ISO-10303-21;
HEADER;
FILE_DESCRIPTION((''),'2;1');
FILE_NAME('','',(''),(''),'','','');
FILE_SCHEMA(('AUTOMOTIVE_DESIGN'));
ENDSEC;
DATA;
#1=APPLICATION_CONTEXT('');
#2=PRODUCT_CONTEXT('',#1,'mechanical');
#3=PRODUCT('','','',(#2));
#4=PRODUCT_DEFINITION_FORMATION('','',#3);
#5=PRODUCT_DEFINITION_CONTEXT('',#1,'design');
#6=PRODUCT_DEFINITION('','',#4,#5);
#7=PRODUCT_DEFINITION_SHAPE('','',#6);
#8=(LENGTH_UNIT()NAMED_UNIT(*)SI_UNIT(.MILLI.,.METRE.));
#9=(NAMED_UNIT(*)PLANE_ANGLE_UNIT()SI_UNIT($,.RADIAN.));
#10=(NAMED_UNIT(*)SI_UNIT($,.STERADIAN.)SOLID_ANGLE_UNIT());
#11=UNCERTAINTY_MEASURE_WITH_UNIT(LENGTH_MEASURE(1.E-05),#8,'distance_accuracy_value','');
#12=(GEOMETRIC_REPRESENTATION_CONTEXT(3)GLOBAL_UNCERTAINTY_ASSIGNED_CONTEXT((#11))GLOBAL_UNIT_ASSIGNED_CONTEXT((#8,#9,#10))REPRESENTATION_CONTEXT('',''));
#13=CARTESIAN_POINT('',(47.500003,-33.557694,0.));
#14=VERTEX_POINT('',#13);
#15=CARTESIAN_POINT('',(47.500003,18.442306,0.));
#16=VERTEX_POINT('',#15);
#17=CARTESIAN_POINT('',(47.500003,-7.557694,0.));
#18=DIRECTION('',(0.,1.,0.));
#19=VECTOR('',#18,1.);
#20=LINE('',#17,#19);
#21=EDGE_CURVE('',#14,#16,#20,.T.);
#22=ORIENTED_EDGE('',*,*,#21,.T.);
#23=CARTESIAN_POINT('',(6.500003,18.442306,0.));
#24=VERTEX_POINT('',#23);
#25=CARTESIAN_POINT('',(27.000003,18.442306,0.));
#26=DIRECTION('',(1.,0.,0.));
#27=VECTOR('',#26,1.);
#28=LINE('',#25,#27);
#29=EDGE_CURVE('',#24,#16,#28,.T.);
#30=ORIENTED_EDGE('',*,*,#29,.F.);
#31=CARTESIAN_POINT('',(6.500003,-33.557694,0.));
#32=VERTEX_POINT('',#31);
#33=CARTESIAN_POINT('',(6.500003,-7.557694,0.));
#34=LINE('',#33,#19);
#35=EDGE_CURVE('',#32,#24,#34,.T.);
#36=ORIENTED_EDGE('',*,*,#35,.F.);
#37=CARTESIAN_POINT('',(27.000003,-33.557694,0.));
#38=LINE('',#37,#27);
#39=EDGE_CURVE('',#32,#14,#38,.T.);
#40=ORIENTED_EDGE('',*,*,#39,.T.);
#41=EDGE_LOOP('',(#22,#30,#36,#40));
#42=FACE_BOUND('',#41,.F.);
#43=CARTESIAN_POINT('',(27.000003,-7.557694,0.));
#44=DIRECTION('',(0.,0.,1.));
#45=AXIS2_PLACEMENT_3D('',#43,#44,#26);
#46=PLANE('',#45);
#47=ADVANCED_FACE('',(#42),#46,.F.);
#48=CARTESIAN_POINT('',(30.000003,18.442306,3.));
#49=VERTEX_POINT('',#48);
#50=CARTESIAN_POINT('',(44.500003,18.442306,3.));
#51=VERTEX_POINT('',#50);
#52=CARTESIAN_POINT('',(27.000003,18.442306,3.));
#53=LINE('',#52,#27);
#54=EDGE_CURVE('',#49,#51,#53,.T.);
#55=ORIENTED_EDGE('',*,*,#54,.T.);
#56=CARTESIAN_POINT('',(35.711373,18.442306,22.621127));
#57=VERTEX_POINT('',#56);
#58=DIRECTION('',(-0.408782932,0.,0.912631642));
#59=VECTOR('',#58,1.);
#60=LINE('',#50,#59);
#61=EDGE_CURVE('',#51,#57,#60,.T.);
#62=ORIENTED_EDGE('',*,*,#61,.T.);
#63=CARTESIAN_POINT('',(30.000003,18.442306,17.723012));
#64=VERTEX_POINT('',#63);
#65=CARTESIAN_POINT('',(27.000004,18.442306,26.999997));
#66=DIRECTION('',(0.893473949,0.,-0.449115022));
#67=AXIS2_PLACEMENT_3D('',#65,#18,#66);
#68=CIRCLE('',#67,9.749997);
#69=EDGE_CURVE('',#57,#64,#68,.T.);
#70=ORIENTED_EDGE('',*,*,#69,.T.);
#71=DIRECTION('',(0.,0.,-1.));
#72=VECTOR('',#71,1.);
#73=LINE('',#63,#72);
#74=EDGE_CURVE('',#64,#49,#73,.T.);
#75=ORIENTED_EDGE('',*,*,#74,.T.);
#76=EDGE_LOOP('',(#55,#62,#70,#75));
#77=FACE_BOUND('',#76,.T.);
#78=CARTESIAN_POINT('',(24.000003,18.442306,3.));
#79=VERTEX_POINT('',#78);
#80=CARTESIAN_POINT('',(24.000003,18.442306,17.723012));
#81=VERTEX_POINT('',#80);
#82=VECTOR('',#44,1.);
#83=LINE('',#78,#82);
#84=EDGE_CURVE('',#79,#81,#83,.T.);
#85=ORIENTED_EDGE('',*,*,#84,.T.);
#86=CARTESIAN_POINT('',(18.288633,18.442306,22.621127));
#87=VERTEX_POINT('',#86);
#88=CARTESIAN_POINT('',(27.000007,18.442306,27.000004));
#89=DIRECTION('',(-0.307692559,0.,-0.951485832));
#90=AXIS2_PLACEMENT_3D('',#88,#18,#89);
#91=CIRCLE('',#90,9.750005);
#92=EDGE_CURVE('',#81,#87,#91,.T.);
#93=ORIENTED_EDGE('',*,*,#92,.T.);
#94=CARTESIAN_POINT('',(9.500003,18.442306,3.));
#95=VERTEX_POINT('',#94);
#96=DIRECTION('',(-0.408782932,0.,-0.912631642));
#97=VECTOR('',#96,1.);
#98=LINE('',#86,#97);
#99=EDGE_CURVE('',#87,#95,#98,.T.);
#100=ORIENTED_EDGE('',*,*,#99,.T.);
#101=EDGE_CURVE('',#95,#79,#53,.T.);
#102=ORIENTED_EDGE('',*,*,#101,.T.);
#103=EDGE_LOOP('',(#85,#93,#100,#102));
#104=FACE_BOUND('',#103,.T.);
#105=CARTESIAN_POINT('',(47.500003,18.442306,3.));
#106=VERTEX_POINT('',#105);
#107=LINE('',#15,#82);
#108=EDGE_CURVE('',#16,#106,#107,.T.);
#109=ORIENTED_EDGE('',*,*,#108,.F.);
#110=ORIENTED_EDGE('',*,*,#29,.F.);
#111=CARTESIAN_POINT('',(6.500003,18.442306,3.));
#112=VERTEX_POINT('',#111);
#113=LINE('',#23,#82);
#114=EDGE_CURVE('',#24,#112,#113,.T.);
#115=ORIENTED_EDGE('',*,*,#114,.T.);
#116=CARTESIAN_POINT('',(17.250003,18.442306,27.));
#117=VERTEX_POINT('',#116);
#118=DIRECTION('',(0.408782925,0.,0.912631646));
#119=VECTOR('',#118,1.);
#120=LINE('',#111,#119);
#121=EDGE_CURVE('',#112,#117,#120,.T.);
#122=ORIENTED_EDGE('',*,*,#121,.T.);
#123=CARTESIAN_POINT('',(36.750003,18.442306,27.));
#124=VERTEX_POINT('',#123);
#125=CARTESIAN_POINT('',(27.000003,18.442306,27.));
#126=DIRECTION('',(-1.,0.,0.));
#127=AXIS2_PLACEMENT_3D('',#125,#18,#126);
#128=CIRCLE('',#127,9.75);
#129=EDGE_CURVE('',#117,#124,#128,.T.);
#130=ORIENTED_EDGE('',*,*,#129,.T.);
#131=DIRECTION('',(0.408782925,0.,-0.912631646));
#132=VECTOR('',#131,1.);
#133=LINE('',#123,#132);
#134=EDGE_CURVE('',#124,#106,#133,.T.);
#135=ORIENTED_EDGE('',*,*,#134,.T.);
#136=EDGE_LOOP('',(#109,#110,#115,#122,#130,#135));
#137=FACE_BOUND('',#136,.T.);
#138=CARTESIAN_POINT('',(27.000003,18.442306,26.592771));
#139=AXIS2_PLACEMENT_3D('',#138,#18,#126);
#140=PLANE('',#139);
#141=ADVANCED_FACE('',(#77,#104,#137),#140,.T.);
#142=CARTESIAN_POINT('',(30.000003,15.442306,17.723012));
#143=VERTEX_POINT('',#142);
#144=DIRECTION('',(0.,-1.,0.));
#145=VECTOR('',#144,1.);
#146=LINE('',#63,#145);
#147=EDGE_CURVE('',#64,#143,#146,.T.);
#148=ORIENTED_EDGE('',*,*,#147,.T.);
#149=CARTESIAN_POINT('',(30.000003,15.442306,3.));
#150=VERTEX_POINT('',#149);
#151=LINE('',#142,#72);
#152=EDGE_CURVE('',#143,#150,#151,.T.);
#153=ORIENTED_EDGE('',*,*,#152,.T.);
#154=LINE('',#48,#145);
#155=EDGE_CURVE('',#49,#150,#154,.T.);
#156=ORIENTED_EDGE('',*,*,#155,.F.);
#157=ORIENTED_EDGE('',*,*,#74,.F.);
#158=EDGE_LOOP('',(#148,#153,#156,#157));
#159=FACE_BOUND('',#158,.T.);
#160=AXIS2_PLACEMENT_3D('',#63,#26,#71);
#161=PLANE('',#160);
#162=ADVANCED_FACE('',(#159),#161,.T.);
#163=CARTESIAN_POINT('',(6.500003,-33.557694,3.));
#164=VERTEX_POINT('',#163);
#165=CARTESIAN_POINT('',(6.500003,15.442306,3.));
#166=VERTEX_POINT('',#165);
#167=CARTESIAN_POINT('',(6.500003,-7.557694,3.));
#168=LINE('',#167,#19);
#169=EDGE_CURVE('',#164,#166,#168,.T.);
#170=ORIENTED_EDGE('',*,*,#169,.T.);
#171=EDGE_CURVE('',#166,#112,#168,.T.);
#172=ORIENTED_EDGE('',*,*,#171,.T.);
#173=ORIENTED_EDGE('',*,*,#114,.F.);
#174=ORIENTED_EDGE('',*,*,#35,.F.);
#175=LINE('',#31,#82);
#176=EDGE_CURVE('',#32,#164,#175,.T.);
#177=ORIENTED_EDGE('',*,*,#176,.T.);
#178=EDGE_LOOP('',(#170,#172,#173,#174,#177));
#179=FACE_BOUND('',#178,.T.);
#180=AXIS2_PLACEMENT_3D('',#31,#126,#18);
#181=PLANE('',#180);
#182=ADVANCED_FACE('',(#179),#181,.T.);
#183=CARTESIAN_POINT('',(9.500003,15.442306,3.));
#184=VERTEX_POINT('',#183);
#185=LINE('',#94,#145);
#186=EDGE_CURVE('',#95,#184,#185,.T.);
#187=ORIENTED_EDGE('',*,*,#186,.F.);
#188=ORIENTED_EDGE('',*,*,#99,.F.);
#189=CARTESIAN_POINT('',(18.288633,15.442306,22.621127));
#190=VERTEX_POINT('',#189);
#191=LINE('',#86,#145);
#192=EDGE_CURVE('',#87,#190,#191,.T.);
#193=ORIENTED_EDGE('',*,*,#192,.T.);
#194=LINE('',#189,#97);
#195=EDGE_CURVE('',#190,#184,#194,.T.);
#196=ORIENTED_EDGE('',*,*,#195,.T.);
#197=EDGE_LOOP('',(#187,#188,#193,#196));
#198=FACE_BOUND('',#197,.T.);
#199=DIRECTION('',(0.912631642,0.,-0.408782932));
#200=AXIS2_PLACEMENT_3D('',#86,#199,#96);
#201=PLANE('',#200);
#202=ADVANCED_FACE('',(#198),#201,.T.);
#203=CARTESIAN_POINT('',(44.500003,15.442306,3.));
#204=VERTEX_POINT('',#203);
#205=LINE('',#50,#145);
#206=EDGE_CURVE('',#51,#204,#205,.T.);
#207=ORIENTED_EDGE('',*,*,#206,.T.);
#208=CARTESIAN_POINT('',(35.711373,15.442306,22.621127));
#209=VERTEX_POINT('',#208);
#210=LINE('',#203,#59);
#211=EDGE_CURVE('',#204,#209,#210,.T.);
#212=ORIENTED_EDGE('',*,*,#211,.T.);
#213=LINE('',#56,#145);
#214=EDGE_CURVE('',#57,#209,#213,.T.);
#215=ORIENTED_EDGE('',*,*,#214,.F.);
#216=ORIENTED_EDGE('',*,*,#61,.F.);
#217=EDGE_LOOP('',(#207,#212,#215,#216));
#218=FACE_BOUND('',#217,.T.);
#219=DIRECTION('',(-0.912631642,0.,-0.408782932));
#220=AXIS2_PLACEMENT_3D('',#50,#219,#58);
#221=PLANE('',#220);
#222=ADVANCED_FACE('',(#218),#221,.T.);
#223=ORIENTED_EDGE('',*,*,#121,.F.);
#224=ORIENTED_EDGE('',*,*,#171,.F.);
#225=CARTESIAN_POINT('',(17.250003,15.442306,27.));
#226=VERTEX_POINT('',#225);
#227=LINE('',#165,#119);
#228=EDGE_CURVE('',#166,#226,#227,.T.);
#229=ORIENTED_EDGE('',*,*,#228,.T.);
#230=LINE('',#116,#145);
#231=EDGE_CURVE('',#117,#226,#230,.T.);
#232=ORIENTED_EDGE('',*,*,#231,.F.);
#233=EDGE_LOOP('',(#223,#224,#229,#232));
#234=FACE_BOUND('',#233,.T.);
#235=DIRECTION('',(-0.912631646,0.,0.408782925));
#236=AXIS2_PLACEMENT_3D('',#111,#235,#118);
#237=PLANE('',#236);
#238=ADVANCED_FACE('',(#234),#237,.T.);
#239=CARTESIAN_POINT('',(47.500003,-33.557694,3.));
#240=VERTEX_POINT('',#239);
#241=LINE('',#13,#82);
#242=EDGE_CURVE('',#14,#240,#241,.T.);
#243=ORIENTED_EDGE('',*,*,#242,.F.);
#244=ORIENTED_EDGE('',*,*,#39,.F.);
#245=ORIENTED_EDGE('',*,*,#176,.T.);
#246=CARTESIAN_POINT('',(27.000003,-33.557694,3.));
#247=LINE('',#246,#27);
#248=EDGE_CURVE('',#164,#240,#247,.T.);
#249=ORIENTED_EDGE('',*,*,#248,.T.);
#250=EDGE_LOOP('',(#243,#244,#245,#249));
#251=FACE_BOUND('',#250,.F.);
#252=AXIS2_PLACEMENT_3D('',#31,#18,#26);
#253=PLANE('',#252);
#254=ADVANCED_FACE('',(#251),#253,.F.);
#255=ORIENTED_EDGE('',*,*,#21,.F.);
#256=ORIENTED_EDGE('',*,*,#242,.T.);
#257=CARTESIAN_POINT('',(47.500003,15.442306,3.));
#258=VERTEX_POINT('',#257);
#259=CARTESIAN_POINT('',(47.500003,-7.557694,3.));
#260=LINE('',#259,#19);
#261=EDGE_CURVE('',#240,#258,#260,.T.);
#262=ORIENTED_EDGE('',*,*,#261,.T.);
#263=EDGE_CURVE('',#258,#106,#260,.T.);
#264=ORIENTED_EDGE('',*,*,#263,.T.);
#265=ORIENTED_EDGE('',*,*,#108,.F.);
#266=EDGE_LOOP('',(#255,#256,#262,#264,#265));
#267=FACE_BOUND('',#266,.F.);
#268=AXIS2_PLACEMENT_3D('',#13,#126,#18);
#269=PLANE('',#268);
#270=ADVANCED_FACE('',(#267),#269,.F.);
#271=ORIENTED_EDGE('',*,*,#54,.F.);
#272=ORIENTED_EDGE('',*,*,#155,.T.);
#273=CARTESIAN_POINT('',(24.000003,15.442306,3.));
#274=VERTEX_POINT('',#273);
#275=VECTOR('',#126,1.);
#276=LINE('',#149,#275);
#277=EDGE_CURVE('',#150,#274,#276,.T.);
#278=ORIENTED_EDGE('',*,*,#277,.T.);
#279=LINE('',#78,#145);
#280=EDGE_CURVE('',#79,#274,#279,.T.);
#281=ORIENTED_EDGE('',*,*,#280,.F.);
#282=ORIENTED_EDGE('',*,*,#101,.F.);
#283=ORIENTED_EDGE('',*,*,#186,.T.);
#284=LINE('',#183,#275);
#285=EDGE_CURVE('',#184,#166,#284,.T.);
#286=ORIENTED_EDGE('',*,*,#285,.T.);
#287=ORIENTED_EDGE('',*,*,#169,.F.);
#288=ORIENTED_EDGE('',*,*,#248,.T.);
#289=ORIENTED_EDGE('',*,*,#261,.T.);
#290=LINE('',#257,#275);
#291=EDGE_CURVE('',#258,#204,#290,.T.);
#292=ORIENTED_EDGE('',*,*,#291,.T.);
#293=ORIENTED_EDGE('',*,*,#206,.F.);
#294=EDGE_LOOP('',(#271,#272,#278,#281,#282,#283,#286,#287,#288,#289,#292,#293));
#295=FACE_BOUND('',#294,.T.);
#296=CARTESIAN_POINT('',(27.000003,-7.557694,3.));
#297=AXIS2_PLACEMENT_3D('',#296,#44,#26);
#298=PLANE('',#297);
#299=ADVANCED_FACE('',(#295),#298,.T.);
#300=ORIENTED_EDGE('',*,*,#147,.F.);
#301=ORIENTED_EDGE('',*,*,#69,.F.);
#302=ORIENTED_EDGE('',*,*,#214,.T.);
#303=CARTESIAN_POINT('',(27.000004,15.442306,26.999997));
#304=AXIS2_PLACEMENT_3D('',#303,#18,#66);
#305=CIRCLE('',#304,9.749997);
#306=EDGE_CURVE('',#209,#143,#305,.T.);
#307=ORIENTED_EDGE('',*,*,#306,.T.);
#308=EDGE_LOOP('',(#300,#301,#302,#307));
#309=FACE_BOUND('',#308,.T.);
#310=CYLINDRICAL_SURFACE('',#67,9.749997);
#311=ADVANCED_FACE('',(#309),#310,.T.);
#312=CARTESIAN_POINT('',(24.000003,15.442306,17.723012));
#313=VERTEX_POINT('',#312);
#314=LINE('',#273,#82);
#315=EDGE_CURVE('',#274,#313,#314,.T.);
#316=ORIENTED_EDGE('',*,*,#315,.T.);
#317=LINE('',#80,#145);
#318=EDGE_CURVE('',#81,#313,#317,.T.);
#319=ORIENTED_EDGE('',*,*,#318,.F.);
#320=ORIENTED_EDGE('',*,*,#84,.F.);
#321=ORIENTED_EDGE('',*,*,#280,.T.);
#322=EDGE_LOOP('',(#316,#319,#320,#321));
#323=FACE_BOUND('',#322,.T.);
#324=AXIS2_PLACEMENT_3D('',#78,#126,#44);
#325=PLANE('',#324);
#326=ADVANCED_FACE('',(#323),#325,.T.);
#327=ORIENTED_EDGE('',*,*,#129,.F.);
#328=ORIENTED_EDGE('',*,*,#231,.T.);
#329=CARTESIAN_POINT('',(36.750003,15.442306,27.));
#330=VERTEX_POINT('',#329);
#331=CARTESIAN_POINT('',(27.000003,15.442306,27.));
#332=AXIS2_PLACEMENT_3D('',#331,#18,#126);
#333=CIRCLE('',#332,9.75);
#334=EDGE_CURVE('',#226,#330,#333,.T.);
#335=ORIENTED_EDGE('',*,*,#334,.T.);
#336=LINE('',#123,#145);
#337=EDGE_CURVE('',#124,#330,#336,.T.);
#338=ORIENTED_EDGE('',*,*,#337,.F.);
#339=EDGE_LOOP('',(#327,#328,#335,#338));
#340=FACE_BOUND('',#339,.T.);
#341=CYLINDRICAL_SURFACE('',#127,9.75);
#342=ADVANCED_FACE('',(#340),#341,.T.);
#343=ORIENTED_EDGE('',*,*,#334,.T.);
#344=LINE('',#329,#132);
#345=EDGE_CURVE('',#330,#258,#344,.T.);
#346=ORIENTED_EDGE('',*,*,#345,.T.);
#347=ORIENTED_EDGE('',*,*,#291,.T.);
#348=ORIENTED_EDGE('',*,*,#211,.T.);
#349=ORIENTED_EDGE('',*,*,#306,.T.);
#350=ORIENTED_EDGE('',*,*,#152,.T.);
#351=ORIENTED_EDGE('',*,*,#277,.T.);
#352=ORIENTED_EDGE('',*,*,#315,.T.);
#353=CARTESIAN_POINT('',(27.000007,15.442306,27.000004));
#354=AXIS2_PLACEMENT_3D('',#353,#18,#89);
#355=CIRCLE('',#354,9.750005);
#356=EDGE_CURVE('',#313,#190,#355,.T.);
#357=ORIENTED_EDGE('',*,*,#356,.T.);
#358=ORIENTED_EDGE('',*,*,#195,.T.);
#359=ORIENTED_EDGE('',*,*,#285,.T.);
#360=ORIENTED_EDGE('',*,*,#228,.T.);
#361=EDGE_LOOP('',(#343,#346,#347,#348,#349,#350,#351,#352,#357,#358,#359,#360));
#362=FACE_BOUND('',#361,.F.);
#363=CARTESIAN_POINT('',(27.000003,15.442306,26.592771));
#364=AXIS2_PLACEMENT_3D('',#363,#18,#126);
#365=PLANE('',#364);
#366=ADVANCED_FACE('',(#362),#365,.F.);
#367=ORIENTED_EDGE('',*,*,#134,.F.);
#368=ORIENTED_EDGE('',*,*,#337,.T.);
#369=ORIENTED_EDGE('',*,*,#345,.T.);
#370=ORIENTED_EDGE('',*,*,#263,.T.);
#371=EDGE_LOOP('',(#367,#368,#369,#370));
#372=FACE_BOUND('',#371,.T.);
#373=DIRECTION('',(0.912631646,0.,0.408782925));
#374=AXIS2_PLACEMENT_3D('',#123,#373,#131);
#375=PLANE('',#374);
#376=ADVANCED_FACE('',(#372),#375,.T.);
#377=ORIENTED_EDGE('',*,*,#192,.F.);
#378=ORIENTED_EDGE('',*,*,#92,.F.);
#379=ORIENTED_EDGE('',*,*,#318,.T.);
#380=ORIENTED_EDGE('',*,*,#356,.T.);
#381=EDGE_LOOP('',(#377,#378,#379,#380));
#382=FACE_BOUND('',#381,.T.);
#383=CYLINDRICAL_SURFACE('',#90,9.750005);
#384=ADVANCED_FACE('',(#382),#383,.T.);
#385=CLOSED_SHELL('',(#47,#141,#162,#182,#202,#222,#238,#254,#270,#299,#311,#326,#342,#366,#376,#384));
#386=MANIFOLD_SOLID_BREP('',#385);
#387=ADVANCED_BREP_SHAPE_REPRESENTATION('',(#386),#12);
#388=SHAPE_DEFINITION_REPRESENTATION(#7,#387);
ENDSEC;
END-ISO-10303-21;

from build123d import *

# Parameters (mm, degrees)
F0_W     = 41
F0_H     = 52
F1_DEPTH = 3
F3_DEPTH = 3


with BuildPart() as f1:
    # F0 (on Top) → F1 (new body)
    with BuildSketch(Plane.XY):
        with Locations((27.000003, -7.557694)):
            Rectangle(F0_W, F0_H)
    extrude(amount=F1_DEPTH)

    # F2 (on face) → F3 (join)
    with BuildSketch(Plane(origin=(0, 18.442306, 0), x_dir=(-1, 0, 0), z_dir=(0, 1, 0))):
        with BuildLine():
            ThreePointArc((-18.288633, 22.621127), (-17.513213, 24.749818), (-17.250003, 27))
            ThreePointArc((-17.250003, 27), (-27.000003, 36.75), (-36.750003, 27))
            ThreePointArc((-36.750003, 27), (-36.486793, 24.749818), (-35.711373, 22.621127))
            ThreePointArc((-35.711373, 22.621127), (-33.347202, 19.598948), (-30.000003, 17.723012))
            ThreePointArc((-30.000003, 17.723012), (-28.518534, 17.368979), (-27.000003, 17.25))
            ThreePointArc((-27.000003, 17.25), (-25.481473, 17.368979), (-24.000003, 17.723012))
            ThreePointArc((-24.000003, 17.723012), (-20.652805, 19.598948), (-18.288633, 22.621127))
        make_face()
        with BuildLine():
            ThreePointArc((-35.711373, 22.621127), (-36.486793, 24.749818), (-36.750003, 27))
            Line((-36.750003, 27), (-47.500003, 3))
            Line((-47.500003, 3), (-44.500003, 3))
            Line((-44.500003, 3), (-35.711373, 22.621127))
        make_face()
        with BuildLine():
            Line((-24.000003, 3), (-24.000003, 17.723012))
            ThreePointArc((-24.000003, 17.723012), (-25.481473, 17.368979), (-27.000003, 17.25))
            Line((-27.000003, 17.25), (-27.000003, 3))
            Line((-27.000003, 3), (-24.000003, 3))
        make_face()
        with BuildLine():
            ThreePointArc((-27.000003, 17.25), (-28.518534, 17.368979), (-30.000003, 17.723012))
            Line((-30.000003, 17.723012), (-30.000003, 3))
            Line((-30.000003, 3), (-27.000003, 3))
            Line((-27.000003, 3), (-27.000003, 17.25))
        make_face()
        with BuildLine():
            Line((-9.500003, 3), (-6.500003, 3))
            Line((-6.500003, 3), (-17.250003, 27))
            ThreePointArc((-17.250003, 27), (-17.513213, 24.749818), (-18.288633, 22.621127))
            Line((-18.288633, 22.621127), (-9.500003, 3))
        make_face()
    extrude(amount=-F3_DEPTH)


solid = f1.part
